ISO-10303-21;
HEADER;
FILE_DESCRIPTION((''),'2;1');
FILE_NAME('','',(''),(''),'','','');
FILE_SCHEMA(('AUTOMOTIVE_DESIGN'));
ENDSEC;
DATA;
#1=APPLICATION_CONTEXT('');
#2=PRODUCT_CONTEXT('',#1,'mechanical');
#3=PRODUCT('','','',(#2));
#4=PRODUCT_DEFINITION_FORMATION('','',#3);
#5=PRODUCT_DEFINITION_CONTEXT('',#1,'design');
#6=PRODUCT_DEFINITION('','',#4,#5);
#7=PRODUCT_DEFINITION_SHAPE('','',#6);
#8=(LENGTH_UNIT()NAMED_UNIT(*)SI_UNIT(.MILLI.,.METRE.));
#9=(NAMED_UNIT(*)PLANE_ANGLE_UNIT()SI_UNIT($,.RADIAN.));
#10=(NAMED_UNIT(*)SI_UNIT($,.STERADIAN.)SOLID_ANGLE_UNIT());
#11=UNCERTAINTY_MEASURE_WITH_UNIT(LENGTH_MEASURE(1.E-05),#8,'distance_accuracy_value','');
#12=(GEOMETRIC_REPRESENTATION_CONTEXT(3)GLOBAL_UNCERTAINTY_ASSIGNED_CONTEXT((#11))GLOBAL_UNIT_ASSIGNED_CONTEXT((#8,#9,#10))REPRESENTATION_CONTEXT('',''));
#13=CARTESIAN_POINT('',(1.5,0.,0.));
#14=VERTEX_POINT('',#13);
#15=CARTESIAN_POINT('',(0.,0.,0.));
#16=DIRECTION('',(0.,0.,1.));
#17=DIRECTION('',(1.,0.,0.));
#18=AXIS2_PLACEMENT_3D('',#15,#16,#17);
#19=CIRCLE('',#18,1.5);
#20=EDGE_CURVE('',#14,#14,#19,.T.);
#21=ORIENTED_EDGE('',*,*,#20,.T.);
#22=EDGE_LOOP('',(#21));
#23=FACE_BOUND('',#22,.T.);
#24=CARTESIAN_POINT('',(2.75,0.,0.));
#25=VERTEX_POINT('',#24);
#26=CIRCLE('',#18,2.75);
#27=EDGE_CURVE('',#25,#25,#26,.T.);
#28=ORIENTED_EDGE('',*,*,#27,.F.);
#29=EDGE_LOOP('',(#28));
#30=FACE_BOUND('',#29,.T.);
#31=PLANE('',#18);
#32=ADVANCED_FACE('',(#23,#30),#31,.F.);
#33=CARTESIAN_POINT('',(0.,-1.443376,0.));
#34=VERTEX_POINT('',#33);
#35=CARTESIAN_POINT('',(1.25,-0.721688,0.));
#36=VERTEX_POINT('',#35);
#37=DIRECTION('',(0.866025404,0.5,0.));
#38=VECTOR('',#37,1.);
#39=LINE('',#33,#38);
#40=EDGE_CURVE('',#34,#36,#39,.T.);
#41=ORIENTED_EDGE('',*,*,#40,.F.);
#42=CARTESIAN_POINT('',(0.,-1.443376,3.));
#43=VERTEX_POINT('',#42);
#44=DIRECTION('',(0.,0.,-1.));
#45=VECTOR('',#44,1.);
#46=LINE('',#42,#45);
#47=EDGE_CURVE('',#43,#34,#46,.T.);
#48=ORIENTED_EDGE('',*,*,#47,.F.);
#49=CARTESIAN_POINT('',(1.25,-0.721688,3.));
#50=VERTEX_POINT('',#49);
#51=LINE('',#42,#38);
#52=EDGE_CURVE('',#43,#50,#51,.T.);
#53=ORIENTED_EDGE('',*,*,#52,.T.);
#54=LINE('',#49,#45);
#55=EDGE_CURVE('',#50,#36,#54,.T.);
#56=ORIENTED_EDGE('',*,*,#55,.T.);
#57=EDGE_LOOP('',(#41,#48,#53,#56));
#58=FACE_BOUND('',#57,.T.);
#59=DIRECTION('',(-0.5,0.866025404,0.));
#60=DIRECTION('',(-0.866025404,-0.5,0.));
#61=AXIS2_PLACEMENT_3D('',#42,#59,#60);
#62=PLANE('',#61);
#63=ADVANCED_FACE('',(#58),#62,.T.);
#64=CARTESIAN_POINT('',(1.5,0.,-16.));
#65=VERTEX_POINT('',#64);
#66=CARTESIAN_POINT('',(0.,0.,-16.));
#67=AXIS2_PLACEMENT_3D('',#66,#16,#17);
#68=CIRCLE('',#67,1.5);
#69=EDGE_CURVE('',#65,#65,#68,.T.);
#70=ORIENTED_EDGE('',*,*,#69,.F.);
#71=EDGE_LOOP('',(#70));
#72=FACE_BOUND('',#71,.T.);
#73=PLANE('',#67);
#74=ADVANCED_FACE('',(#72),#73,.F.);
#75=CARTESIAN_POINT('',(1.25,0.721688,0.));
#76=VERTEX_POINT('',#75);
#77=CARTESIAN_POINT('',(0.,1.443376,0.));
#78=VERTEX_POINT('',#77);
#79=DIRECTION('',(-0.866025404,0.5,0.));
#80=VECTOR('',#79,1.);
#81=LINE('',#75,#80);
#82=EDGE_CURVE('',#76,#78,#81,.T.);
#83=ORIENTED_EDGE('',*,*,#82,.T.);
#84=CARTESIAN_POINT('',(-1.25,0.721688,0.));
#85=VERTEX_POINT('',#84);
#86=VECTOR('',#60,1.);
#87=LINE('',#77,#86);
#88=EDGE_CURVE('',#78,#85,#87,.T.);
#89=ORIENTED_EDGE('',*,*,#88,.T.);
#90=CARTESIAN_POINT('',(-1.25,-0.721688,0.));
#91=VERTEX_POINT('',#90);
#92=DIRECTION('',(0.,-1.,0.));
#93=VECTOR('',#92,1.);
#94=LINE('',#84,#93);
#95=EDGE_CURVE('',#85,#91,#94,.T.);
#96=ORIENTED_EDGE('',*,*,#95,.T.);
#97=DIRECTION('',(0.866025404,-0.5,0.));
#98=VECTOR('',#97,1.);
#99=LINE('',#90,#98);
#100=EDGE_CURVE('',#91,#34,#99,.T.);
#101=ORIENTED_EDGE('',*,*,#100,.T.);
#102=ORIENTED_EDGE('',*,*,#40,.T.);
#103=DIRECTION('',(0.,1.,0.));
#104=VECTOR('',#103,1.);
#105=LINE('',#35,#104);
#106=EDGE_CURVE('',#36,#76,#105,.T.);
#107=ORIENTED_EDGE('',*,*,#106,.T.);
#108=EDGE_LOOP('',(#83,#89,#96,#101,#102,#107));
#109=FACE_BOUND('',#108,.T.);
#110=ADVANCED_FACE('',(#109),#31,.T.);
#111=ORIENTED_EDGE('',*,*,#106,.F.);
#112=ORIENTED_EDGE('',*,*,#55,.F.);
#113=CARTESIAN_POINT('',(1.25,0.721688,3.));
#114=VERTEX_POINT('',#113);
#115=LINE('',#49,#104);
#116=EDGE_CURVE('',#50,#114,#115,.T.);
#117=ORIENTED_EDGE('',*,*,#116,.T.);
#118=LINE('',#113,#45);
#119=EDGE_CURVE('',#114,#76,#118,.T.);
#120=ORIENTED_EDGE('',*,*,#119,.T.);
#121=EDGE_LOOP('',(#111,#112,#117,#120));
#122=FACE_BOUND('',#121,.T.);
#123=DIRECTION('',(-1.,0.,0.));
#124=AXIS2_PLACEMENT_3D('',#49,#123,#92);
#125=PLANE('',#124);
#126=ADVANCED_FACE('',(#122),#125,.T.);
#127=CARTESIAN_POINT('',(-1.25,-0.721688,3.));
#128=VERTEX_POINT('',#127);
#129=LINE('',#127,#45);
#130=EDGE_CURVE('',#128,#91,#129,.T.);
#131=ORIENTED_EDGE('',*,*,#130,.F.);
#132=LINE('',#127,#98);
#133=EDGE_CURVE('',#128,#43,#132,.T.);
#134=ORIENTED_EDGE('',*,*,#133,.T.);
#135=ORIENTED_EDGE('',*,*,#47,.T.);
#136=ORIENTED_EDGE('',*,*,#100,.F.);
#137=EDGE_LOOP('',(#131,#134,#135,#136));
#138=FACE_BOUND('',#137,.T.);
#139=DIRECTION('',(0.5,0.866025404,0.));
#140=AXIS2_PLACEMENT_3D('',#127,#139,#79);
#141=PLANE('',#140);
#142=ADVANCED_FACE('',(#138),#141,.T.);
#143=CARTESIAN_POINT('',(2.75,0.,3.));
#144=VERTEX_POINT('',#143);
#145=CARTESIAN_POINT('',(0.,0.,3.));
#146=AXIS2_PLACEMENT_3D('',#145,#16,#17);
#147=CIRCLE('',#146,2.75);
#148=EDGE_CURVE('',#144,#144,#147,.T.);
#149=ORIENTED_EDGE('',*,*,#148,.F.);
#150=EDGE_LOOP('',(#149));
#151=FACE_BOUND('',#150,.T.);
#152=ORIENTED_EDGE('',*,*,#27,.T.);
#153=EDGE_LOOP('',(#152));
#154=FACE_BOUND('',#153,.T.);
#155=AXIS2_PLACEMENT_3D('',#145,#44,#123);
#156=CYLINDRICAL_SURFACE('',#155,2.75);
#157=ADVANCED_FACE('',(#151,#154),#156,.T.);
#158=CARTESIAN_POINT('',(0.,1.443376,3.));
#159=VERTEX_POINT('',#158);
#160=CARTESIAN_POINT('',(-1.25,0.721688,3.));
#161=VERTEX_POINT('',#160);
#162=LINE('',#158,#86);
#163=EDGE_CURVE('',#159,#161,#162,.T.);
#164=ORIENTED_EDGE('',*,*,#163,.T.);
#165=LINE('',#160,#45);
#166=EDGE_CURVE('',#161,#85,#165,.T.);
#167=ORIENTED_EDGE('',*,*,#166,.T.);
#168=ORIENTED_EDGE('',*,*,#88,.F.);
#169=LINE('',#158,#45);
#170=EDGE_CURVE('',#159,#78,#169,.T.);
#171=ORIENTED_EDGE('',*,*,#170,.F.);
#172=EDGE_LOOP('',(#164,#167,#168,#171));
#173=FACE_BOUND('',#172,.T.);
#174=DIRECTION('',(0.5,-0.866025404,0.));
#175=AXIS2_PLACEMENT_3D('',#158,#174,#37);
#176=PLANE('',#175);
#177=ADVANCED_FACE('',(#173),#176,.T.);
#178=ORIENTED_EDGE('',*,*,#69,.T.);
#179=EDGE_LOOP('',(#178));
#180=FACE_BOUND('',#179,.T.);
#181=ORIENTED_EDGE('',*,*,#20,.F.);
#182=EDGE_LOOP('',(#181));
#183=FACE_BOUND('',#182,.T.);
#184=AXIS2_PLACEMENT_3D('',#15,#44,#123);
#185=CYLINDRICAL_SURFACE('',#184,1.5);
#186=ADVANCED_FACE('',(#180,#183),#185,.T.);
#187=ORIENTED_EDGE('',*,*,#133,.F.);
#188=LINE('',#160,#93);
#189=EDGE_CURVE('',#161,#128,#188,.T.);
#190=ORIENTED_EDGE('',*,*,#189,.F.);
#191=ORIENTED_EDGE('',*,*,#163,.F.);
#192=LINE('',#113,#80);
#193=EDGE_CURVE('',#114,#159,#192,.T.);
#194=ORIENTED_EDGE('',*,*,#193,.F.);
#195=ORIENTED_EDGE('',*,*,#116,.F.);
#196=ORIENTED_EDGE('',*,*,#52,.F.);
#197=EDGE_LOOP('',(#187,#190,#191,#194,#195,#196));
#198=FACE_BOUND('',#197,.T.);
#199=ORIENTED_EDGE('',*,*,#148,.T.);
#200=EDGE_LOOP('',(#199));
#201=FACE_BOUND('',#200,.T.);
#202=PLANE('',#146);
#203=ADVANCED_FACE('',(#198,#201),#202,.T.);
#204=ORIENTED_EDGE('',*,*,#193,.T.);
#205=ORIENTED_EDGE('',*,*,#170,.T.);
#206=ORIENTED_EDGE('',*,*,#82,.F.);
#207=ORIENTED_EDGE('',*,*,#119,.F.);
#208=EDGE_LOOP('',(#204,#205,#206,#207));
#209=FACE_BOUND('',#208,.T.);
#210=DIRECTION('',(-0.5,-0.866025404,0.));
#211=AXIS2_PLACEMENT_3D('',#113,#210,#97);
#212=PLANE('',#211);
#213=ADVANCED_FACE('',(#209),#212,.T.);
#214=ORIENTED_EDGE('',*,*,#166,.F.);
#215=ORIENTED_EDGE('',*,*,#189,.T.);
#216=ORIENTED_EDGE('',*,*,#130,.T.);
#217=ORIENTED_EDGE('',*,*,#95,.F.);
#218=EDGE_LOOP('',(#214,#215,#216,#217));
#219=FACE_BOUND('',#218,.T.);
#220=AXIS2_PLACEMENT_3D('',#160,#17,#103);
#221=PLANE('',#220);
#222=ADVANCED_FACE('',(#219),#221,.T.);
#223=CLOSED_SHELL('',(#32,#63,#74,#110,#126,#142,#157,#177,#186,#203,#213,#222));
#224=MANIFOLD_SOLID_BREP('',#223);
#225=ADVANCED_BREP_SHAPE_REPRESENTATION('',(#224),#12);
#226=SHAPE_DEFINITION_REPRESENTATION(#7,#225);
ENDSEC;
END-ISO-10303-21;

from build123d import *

# Parameters (mm, degrees)
THREAD_ENVELOPE_START = -16
PROFILE_1_R           = 1.5
THREAD_ENVELOPE_DEPTH = 16
PROFILE_2_R           = 2.75
SOCKET_HEAD_DEPTH     = 3


with BuildPart() as part:
    # Profile_1 → Thread_envelope (new body)
    with BuildSketch(Plane.XY.offset(THREAD_ENVELOPE_START)):
        Circle(PROFILE_1_R)
    extrude(amount=THREAD_ENVELOPE_DEPTH)

    # Profile_2 → Socket_head (add)
    with BuildSketch(Plane.XY):
        Circle(PROFILE_2_R)
        Polygon((1.25, 0.721687836), (0, 1.443375673), (-1.25, 0.721687836), (-1.25, -0.721687836), (0, -1.443375673), (1.25, -0.721687836), align=None, mode=Mode.SUBTRACT)
    extrude(amount=SOCKET_HEAD_DEPTH)


solid = part.part
